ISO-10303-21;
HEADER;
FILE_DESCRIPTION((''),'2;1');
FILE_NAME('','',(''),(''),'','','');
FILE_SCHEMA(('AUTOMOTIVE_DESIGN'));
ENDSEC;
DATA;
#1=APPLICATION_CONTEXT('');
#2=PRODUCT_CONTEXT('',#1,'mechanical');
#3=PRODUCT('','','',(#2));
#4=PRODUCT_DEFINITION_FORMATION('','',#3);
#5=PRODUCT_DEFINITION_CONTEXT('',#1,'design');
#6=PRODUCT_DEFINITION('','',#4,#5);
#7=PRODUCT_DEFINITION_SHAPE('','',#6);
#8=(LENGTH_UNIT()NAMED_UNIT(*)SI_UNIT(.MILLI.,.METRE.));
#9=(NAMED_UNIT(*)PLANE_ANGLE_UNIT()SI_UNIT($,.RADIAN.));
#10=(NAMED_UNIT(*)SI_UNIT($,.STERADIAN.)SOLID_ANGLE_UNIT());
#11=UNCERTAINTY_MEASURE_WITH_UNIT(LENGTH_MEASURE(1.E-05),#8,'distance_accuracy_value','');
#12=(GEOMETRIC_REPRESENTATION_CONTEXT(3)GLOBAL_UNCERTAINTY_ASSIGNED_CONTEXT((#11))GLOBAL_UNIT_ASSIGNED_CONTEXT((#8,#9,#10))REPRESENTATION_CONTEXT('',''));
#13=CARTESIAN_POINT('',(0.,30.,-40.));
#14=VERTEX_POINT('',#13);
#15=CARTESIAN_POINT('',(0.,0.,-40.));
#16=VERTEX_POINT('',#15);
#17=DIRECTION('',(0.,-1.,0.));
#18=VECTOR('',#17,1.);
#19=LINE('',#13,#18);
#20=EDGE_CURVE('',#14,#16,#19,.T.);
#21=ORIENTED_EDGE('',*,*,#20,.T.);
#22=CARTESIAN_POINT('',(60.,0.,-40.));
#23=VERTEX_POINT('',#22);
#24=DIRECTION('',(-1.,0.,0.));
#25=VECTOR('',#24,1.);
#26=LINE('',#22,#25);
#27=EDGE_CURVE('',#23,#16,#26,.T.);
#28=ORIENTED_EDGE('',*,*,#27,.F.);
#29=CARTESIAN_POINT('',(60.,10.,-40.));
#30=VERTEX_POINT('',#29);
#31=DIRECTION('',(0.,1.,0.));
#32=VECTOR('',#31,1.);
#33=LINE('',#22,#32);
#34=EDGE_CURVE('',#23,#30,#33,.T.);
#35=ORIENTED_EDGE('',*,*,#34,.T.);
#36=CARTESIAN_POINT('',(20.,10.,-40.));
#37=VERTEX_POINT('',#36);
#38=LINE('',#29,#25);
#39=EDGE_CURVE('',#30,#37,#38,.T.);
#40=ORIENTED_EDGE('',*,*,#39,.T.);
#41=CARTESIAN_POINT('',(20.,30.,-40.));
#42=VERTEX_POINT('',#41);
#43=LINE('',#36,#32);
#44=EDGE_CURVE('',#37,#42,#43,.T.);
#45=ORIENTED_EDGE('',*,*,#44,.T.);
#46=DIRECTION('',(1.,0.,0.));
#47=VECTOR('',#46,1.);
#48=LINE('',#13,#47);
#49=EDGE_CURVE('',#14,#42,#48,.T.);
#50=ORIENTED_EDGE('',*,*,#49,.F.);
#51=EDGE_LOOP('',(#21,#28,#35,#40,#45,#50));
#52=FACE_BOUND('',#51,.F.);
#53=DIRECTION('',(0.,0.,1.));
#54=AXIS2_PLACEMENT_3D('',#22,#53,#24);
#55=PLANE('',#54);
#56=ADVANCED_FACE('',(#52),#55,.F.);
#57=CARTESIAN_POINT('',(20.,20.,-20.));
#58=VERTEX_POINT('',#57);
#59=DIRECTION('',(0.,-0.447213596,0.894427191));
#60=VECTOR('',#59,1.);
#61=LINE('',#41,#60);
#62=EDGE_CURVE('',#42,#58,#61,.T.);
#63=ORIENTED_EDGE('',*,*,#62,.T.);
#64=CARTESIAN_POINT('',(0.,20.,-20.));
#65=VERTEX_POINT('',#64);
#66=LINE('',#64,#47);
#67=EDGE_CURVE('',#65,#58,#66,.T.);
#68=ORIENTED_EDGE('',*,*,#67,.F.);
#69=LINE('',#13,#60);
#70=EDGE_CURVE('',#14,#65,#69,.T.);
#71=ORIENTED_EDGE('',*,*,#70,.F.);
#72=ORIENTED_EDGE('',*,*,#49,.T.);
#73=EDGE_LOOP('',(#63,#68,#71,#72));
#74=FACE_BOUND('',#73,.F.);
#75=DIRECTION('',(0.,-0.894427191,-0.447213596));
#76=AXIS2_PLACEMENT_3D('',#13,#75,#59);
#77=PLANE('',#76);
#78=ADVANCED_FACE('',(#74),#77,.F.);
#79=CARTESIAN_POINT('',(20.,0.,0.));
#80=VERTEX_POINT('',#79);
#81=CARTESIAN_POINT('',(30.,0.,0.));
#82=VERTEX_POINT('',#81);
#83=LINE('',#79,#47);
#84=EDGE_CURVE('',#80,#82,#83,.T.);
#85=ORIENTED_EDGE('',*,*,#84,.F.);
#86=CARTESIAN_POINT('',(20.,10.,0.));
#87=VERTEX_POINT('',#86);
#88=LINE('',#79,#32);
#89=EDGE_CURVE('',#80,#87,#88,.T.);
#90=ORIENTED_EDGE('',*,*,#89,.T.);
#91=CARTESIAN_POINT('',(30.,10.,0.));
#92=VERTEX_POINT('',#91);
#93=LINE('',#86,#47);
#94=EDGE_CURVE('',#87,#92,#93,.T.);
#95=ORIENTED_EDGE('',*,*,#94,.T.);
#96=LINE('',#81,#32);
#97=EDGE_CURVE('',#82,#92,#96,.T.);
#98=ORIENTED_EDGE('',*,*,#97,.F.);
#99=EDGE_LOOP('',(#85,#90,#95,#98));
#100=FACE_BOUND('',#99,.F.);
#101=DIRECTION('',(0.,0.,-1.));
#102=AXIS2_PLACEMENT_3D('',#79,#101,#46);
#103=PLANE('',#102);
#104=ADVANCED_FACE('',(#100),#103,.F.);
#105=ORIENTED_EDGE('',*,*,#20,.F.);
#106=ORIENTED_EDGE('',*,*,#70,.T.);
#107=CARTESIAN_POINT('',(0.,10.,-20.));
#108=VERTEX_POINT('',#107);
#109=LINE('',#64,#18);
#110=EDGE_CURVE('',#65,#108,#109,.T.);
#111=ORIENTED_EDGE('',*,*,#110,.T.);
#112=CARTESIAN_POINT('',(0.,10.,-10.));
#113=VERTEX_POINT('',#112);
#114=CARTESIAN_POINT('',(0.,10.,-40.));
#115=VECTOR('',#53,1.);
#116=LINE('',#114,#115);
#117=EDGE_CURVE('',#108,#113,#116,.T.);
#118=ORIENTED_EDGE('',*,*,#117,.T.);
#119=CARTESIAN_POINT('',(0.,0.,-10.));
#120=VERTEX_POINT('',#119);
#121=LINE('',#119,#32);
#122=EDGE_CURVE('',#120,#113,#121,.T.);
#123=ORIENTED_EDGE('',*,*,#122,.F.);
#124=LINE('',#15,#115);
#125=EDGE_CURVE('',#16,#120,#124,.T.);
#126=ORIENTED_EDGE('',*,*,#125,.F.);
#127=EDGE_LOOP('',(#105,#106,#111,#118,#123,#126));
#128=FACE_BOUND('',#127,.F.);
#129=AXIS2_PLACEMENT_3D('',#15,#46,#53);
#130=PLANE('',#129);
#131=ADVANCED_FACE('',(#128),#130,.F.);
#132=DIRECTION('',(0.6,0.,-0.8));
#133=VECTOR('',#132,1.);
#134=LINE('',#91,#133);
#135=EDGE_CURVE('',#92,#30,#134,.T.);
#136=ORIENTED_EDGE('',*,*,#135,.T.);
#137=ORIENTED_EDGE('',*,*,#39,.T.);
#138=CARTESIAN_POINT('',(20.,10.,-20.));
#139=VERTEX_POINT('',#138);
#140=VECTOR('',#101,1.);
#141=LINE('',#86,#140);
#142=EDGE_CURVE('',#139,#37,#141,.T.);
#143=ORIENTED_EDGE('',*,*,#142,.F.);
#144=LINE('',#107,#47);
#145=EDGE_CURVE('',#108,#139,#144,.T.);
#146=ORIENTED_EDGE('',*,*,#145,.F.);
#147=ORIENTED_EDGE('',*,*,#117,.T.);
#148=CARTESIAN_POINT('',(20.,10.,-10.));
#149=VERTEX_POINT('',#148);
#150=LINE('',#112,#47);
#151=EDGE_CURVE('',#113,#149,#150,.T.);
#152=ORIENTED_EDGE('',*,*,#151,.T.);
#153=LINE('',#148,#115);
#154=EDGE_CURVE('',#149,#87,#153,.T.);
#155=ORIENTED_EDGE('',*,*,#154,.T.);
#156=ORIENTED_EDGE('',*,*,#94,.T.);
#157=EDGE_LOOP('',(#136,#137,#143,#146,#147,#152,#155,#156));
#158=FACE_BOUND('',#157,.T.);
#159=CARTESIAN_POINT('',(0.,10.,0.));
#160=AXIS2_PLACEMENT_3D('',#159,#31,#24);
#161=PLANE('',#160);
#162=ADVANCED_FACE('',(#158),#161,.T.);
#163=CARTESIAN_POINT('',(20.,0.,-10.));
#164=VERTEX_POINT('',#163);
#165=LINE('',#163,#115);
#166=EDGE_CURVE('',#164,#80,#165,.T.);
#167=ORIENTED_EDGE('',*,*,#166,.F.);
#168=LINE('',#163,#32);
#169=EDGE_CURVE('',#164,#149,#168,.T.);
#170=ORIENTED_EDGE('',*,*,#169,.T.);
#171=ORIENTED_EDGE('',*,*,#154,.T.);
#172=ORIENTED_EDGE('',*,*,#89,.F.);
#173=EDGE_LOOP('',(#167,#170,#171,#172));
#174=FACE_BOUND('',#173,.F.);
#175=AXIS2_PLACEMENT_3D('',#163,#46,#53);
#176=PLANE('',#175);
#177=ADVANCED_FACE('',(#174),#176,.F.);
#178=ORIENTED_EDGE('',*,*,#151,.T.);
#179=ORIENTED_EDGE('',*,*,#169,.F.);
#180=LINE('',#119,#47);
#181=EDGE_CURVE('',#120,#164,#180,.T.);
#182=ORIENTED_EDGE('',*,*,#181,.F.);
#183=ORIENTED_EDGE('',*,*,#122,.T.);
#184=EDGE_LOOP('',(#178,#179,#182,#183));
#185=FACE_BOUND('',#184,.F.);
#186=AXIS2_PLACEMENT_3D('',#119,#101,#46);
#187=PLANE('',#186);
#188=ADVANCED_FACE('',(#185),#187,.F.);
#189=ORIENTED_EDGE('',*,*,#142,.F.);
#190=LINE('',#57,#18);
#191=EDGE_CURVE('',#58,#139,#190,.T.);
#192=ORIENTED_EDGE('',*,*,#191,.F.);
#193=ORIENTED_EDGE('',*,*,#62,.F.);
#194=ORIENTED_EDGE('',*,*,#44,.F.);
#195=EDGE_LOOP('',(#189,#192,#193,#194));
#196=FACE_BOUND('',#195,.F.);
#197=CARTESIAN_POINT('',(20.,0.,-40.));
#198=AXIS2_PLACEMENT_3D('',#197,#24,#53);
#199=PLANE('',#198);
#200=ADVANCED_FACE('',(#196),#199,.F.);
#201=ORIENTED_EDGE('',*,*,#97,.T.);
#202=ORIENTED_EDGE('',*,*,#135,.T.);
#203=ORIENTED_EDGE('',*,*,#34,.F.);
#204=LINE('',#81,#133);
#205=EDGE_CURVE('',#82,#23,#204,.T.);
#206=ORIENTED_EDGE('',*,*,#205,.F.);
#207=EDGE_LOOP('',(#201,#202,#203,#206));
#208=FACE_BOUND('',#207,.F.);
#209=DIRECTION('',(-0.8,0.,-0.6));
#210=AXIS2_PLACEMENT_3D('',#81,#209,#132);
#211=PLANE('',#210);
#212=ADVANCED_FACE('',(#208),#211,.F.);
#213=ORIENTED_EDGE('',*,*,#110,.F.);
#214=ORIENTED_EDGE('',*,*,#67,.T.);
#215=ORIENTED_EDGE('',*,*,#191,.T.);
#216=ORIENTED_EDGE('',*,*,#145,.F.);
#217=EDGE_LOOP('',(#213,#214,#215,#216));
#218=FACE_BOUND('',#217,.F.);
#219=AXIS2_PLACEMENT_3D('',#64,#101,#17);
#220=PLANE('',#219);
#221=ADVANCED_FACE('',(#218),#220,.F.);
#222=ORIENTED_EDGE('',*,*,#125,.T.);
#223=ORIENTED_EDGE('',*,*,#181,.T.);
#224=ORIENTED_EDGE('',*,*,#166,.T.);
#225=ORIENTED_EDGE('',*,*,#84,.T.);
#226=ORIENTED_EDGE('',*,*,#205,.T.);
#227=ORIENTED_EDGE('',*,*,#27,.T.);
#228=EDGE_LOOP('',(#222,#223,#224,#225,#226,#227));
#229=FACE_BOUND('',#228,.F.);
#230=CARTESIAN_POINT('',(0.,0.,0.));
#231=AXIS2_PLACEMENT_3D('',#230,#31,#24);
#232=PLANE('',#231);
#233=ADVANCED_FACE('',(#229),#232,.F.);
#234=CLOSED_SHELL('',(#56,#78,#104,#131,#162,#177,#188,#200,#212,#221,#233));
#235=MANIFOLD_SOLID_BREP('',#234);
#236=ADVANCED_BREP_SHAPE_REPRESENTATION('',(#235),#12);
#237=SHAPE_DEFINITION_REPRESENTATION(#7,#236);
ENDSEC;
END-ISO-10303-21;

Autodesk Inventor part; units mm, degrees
ref_plane "YZ Plane" through (0, 0, 0) normal (1, 0, 0) x (0, 1, 0)
ref_plane "XZ Plane" through (0, 0, 0) normal (0, 1, 0) x (-1, 0, 0)
ref_plane "XY Plane" through (0, 0, 0) normal (0, 0, 1) x (1, 0, 0)
sketch "草圖1" plane through (0, 0, 0) normal (0, 1, 0) x (-1, 0, 0)
  line L0 (0, -10) -> (-20, -10)
  line L1 (-20, -10) -> (-20, 0)
  line L2 (-20, 0) -> (-30, 0)
  line L3 (-30, 0) -> (-60, -40)
  line L4 (-60, -40) -> (0, -40)
  line L5 (0, -40) -> (0, -10)
  point P0 (0, 0)
  dimension "d0" = 10
  dimension "d1" = 20
  dimension "d2" = 10
  dimension "d3" = 0
  dimension "d4" = 10
  dimension "d5" = 30
  dimension "d6" = 60
extrude "擠出1" add sketch "草圖1" along normal blind 10
sketch "草圖2" plane through (0, 0, -40) normal (-1, 0, 0) x (0, 0, 1)
  line L0 (40, 10) -> (0, 10) projected
  line L1 (0, 10) -> (0, 30)
  line L2 (0, 30) -> (20, 20)
  line L3 (20, 20) -> (20, 10)
  line L4 (20, 10) -> (0, 10)
  point P0 (40, 0)
  dimension "d9" = 20
  dimension "d10" = 20
  dimension "d11" = 10
extrude "擠出2" add sketch "草圖2" against normal blind 20
properties part number "43 (22000.000 mm^3)"
